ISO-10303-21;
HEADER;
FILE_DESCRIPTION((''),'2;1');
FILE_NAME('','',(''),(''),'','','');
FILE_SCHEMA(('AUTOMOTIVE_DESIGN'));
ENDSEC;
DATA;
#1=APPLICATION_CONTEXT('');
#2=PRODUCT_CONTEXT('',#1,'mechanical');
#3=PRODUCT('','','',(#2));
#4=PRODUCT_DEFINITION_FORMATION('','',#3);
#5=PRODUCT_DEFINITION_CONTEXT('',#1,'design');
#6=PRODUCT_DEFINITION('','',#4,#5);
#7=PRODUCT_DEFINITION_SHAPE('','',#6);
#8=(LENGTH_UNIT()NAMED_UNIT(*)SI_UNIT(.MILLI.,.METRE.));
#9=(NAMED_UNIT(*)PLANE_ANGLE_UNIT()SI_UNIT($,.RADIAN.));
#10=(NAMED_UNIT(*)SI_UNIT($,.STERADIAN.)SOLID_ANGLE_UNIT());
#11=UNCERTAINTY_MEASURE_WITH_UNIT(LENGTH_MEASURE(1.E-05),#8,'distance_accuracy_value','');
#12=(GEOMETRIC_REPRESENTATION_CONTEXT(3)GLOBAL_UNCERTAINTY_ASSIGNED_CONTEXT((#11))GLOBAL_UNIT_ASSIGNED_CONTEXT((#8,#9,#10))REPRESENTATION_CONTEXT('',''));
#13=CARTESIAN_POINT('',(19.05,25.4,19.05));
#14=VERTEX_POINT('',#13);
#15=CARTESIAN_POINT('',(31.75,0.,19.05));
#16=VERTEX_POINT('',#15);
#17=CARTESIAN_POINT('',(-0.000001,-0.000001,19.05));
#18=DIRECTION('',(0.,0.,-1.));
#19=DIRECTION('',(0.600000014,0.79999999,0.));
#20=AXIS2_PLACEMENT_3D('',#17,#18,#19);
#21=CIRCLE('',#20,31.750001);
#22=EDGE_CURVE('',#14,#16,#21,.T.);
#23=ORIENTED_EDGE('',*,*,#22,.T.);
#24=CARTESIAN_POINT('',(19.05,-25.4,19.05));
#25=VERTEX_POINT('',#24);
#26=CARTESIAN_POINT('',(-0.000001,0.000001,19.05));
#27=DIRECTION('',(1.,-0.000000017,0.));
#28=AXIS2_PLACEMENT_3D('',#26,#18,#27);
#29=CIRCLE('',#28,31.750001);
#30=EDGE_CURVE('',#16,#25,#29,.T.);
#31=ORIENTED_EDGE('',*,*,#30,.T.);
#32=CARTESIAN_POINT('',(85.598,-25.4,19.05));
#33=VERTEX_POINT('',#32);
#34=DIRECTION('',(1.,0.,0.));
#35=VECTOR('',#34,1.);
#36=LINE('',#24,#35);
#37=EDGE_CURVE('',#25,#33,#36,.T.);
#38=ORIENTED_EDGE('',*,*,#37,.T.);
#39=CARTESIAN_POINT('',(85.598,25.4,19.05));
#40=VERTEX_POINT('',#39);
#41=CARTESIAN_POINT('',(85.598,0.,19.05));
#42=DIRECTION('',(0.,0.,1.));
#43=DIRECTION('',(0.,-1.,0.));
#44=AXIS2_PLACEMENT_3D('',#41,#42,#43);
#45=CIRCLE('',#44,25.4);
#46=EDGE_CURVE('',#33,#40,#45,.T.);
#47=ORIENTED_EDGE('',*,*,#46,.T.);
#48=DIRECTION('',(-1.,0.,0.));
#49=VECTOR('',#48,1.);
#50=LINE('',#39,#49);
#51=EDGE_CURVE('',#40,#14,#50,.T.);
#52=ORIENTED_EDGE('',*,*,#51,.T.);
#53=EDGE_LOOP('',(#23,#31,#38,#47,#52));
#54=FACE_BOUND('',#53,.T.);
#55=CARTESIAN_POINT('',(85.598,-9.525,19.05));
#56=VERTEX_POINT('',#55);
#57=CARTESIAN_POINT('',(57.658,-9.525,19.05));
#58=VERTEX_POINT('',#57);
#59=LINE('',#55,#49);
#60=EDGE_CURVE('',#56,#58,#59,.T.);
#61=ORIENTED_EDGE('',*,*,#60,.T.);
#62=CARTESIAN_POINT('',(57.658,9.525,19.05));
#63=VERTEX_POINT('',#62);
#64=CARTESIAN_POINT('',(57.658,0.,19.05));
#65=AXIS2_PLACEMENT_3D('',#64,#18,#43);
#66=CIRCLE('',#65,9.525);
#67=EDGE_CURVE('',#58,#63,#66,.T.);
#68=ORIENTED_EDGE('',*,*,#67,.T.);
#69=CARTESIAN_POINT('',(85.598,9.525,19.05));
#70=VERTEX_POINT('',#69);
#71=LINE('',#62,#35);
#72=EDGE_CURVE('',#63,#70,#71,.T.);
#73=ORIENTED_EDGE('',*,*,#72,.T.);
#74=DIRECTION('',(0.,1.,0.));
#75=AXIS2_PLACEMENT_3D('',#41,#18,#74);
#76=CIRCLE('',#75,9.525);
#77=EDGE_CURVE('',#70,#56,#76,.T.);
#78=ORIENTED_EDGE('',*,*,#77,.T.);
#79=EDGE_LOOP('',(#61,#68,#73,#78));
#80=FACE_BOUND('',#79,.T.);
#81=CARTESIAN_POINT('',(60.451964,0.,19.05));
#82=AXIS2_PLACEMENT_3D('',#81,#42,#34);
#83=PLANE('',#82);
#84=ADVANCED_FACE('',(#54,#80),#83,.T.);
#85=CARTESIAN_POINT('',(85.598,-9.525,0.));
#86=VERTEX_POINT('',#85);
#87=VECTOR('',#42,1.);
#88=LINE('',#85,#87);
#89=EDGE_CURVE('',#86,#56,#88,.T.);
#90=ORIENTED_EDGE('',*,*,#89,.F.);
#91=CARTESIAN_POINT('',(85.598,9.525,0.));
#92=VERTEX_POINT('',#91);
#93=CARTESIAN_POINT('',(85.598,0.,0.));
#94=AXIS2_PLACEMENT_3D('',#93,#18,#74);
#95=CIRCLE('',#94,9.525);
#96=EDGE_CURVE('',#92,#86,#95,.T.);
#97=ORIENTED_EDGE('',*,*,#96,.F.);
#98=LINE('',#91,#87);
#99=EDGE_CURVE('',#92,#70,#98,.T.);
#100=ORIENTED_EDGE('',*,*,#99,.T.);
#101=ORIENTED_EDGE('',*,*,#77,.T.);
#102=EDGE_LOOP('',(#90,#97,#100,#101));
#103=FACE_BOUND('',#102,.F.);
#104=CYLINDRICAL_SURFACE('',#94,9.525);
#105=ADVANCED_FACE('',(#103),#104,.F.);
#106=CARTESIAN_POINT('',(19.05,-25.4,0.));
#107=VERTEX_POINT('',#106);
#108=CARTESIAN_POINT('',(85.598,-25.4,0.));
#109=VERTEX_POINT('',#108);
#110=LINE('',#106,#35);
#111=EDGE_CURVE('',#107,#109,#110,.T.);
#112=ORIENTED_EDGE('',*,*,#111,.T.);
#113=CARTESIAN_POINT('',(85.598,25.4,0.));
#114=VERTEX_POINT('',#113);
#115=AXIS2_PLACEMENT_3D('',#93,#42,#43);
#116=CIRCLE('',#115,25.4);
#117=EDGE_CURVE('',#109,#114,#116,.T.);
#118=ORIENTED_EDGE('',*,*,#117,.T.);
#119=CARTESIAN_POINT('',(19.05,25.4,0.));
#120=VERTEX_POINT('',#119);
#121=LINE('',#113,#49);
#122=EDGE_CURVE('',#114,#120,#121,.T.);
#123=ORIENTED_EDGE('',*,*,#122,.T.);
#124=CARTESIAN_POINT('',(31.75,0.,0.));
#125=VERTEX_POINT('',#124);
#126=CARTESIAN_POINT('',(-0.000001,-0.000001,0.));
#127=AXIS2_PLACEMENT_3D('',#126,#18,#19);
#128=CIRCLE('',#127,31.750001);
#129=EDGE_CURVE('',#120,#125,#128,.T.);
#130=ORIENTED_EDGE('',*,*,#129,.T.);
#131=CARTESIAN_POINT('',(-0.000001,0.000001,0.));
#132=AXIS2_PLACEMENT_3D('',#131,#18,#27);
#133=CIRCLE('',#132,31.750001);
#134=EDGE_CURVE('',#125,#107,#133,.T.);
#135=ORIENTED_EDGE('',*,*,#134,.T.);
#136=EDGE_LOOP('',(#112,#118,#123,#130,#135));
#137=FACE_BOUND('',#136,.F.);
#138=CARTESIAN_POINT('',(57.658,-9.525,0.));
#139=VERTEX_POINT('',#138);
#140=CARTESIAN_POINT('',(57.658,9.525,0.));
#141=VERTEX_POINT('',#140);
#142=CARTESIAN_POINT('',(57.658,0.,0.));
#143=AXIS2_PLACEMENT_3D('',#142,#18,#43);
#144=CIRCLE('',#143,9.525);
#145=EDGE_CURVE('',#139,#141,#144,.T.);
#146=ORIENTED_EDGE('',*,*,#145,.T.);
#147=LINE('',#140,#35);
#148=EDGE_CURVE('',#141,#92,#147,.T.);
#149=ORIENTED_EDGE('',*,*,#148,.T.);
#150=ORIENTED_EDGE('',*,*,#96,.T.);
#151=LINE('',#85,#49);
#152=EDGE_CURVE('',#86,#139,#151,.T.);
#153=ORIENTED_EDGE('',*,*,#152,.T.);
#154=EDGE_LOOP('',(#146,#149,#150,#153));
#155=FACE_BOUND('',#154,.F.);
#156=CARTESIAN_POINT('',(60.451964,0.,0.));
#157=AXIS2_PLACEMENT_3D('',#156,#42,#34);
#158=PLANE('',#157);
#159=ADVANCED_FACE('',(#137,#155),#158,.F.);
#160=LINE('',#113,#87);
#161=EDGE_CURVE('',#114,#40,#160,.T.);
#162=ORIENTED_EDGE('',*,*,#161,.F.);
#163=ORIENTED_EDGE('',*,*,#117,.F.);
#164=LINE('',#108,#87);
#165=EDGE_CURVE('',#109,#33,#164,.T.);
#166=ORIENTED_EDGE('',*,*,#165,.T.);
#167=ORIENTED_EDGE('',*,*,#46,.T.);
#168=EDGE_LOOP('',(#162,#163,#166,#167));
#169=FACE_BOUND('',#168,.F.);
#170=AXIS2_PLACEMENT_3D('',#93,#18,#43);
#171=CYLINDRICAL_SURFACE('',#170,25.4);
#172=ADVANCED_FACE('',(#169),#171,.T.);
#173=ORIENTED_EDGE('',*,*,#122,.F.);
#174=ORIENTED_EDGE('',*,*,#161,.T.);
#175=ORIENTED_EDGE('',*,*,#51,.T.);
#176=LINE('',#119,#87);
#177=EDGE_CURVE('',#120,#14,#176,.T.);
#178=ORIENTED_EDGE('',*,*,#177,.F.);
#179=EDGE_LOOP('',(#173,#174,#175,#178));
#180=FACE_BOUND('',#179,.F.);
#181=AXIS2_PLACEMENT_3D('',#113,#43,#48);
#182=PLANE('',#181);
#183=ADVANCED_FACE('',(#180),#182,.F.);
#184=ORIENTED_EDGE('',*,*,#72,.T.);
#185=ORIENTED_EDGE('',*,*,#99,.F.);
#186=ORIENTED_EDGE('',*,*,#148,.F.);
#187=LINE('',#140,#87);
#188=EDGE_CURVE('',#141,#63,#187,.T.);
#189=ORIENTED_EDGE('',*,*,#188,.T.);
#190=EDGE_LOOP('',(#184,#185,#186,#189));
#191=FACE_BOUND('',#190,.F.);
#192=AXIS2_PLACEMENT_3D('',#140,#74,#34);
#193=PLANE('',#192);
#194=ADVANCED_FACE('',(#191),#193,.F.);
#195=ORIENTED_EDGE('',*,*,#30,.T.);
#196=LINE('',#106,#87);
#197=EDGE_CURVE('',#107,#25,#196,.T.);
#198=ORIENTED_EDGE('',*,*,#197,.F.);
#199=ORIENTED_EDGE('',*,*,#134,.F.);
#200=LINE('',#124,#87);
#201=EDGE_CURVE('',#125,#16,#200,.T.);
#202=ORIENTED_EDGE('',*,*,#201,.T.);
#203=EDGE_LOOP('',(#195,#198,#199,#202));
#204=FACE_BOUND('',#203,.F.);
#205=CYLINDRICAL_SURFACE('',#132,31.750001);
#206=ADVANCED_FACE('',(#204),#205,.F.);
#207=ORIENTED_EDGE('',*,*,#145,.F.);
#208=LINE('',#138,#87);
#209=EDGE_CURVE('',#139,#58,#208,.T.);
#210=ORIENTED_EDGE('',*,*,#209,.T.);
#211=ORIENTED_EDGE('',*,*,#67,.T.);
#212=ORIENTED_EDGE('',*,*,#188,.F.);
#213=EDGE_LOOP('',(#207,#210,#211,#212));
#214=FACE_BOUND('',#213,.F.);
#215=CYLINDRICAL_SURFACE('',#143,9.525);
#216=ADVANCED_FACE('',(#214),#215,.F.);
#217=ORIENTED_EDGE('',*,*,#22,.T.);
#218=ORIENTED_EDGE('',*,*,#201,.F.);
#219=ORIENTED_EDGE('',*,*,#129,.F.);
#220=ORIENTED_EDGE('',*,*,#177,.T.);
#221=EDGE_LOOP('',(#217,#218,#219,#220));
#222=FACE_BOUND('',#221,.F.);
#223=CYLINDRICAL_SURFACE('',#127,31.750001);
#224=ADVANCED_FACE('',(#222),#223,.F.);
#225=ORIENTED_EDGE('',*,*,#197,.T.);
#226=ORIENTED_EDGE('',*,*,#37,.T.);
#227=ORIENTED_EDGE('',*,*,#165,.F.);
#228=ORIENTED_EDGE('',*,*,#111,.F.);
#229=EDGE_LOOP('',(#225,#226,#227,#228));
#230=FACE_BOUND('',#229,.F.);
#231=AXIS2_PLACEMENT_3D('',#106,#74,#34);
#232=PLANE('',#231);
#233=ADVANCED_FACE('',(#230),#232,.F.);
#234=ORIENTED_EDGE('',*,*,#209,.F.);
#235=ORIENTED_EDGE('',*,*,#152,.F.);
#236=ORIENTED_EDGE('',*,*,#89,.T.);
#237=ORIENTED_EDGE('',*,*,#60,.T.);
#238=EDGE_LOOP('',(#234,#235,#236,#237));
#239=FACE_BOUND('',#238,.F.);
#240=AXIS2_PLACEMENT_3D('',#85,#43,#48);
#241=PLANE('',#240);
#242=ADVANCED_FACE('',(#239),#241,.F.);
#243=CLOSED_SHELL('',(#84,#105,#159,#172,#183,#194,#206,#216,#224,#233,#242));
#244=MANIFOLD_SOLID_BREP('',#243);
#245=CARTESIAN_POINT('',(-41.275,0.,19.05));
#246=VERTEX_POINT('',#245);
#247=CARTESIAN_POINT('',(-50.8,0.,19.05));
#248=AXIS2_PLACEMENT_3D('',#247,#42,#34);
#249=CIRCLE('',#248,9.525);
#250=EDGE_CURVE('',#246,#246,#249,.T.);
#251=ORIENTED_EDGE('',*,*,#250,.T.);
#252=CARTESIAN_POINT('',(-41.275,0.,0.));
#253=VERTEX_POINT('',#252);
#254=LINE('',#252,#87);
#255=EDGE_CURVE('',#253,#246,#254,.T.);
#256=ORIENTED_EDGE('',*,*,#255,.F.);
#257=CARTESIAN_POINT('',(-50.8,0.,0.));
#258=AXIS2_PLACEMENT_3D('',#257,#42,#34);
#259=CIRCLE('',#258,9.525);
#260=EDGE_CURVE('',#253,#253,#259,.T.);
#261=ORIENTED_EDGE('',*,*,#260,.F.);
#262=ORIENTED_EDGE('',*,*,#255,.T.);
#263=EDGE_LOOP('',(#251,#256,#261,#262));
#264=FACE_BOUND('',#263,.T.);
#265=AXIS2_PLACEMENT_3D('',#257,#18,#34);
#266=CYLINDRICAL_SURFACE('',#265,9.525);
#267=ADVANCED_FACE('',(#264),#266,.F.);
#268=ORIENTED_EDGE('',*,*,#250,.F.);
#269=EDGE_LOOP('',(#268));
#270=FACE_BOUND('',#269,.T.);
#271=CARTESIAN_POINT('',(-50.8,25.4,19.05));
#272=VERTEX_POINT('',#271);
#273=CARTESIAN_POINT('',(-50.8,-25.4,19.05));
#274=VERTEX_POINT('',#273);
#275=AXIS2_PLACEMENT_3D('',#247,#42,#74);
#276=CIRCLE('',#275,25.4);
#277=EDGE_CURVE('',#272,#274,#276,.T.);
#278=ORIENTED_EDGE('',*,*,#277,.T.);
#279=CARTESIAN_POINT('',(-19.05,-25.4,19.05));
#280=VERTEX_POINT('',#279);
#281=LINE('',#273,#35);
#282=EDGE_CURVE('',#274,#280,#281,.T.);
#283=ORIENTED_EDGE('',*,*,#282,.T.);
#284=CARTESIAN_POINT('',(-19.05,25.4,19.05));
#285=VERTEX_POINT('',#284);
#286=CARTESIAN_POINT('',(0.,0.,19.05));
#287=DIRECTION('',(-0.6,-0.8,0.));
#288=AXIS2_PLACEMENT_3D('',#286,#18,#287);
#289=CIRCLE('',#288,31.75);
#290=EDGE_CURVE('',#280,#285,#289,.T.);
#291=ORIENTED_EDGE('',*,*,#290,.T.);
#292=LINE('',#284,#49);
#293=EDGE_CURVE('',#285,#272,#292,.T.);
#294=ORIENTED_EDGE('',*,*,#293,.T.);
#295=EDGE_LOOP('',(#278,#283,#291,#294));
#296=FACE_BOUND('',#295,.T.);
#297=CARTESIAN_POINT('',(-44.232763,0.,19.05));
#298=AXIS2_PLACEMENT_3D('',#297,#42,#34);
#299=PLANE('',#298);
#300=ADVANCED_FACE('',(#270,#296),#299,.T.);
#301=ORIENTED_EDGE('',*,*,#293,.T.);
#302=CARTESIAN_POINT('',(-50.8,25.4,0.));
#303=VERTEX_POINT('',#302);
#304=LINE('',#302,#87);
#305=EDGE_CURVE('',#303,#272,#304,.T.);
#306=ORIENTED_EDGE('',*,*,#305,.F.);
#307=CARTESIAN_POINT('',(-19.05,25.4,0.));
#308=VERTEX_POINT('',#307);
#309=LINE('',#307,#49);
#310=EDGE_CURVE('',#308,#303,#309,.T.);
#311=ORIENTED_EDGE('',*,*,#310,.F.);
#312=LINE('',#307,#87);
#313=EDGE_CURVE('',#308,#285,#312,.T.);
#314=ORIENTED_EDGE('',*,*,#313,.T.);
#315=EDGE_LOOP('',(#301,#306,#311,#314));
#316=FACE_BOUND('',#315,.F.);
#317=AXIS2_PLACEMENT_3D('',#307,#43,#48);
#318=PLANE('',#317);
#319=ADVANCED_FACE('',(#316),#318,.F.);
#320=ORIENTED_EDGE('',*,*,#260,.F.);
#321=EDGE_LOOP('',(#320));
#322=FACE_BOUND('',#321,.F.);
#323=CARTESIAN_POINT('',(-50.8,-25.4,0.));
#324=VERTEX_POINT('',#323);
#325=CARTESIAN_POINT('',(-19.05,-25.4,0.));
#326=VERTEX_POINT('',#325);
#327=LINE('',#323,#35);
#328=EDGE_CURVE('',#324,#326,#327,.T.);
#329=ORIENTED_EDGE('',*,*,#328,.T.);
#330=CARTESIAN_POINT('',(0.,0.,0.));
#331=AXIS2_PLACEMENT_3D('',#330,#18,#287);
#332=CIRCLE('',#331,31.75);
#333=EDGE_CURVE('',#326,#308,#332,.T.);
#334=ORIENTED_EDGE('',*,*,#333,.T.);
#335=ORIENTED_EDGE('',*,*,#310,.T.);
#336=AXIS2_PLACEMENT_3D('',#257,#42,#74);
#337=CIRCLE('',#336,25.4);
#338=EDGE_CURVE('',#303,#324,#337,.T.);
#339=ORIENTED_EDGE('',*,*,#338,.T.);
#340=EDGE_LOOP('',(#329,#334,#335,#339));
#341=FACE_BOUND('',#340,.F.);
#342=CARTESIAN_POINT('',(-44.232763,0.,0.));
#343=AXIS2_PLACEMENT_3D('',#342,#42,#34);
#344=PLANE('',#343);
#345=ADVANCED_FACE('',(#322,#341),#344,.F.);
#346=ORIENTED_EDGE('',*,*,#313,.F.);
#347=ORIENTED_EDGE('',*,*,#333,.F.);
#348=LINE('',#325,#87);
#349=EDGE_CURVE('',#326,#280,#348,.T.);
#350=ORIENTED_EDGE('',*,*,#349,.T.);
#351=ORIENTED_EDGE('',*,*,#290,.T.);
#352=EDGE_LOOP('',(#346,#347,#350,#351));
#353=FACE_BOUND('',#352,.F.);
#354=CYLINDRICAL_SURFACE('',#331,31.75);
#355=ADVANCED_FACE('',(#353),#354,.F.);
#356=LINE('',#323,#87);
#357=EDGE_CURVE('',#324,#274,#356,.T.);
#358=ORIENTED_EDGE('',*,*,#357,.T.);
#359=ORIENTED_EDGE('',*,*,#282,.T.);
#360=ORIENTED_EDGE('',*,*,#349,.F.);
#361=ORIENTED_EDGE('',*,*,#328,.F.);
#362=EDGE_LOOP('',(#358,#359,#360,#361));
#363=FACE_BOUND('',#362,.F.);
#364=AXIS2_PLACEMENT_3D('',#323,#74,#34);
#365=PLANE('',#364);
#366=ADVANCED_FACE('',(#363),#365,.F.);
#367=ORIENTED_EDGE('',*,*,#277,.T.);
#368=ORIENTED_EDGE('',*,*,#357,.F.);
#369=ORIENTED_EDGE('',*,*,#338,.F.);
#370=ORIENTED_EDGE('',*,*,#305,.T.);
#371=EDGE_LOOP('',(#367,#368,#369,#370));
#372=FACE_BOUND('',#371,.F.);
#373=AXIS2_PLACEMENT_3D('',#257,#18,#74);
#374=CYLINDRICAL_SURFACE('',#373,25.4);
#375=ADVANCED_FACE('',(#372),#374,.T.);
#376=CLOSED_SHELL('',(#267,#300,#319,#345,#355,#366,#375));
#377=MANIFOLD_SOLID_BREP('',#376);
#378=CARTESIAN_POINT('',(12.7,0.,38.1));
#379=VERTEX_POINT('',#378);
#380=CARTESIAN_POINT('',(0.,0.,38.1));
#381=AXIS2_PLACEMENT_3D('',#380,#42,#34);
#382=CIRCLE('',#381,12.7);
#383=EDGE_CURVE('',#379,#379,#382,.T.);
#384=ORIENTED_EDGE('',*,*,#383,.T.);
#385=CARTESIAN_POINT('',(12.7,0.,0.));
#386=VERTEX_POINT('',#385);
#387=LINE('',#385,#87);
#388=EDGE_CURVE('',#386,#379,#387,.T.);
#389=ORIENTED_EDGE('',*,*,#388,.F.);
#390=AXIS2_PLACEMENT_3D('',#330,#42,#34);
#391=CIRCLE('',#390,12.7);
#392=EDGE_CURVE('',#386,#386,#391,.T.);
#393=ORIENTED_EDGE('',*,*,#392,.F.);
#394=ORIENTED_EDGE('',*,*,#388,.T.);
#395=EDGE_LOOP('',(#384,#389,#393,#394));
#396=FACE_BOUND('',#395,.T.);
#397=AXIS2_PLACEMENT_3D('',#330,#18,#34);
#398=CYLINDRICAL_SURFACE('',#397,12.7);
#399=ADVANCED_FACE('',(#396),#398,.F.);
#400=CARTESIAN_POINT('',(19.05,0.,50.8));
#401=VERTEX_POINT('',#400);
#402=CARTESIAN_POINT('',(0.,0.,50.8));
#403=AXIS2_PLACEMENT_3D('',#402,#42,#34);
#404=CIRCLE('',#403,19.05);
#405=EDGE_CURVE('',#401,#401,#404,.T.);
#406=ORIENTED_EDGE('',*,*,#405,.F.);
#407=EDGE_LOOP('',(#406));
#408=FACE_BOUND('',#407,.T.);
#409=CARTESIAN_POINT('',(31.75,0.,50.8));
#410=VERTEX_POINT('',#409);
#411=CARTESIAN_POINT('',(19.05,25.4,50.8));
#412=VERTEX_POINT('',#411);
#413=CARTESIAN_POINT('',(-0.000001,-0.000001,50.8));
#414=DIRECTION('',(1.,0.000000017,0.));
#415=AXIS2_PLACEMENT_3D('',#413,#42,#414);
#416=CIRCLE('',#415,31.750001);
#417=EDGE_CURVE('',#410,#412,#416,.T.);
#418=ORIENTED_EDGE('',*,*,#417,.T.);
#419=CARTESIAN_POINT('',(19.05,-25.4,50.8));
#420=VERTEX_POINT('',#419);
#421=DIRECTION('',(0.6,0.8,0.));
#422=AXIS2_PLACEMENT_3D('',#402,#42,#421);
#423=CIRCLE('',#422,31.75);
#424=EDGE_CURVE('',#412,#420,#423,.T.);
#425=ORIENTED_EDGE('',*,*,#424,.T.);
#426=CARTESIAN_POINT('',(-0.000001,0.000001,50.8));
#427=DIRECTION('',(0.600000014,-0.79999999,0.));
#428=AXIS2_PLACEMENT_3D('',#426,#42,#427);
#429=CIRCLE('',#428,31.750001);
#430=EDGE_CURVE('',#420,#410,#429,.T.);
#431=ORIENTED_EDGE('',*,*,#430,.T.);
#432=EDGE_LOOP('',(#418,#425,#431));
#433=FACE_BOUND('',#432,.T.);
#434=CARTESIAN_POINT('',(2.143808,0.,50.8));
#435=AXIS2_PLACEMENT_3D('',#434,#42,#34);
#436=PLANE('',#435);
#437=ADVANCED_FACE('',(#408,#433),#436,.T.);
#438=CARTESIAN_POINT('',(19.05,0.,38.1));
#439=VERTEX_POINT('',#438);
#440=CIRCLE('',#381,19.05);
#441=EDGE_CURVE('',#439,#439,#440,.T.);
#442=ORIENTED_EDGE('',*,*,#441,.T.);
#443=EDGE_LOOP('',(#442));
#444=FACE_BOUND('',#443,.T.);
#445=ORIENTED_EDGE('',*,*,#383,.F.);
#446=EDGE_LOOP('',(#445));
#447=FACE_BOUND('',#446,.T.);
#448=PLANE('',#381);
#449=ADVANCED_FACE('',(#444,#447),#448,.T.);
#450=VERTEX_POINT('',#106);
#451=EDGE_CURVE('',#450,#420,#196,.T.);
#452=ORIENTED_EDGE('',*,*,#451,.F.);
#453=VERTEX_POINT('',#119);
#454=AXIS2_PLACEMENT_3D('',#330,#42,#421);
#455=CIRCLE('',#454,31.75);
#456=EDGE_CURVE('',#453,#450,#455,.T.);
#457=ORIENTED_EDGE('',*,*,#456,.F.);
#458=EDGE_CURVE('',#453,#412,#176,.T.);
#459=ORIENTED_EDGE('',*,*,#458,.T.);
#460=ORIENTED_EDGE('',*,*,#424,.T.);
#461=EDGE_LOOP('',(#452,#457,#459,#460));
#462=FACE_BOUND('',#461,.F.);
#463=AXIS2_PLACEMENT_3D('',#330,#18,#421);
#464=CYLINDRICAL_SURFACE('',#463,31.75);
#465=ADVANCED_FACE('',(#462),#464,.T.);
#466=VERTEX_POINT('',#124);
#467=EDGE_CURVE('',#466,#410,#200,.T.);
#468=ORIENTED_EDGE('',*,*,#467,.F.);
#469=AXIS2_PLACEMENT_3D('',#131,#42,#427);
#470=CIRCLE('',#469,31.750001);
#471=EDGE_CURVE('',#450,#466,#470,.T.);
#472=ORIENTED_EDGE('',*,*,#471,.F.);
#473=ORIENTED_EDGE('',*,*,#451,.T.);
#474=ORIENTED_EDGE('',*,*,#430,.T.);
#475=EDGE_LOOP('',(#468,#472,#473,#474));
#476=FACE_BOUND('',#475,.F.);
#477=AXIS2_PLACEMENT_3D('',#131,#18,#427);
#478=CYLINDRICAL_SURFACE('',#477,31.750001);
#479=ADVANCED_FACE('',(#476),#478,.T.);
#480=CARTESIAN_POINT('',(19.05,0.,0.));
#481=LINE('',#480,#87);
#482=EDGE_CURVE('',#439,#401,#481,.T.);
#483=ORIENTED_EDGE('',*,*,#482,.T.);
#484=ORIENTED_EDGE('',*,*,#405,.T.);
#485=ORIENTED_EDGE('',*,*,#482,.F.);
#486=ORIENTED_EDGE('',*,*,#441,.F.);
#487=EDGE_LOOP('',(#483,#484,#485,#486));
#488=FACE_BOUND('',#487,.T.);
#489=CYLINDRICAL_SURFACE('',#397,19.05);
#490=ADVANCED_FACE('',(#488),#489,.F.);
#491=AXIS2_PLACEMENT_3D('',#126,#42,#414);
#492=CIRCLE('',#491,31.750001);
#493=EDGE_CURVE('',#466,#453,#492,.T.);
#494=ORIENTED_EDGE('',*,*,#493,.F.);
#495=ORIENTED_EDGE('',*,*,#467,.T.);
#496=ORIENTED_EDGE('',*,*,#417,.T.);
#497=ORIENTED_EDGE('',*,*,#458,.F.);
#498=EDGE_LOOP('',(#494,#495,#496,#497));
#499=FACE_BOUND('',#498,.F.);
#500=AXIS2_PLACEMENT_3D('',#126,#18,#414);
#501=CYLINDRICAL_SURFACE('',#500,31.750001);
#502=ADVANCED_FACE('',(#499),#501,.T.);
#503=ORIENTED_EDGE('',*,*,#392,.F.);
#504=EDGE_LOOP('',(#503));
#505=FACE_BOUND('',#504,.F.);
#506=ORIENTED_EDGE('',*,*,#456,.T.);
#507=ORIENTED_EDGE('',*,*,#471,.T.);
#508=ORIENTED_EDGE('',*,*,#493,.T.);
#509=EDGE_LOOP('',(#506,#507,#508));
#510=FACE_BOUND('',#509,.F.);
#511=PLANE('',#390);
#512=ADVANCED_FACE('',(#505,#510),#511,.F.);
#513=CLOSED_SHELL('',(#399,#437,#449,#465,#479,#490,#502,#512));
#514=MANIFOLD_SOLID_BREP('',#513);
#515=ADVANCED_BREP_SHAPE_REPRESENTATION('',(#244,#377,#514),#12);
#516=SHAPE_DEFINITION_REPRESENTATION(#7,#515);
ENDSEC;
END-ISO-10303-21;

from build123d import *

# Parameters (mm, degrees)
F0_R     = 9.525
F1_DEPTH = 19.05
F0_R_2   = 19.05
F2_DEPTH = 50.8
F0_R_3   = 12.7
F3_DEPTH = 38.1


with BuildPart() as f1:
    # F0 (on Top) → F1 (new body)
    with BuildSketch(Plane.XY):
        with BuildLine():
            ThreePointArc((-19.05, -25.4), (-31.75, 0), (-19.05, 25.4))
            Line((-19.05, 25.4), (-50.8, 25.4))
            ThreePointArc((-50.8, 25.4), (-76.2, 0), (-50.8, -25.4))
            Line((-50.8, -25.4), (-19.05, -25.4))
        make_face()
        with Locations((-50.8, 0)):
            Circle(F0_R, mode=Mode.SUBTRACT)
        with BuildLine():
            ThreePointArc((19.05, 25.4), (28.398063, 14.199032), (31.75, 0))
            ThreePointArc((31.75, 0), (28.398063, -14.199032), (19.05, -25.4))
            Line((19.05, -25.4), (85.598, -25.4))
            ThreePointArc((85.598, -25.4), (110.998, 0), (85.598, 25.4))
            Line((85.598, 25.4), (19.05, 25.4))
        make_face()
        with BuildLine():
            ThreePointArc((85.598, 9.525), (95.123, 0), (85.598, -9.525))
            Line((85.598, -9.525), (57.658, -9.525))
            ThreePointArc((57.658, -9.525), (48.133, 0), (57.658, 9.525))
            Line((57.658, 9.525), (85.598, 9.525))
        make_face(mode=Mode.SUBTRACT)
    extrude(amount=F1_DEPTH)


with BuildPart() as f2:
    # F0 (on Top) → F2 (new body)
    with BuildSketch(Plane.XY):
        with BuildLine():
            ThreePointArc((19.05, -25.4), (28.398063, -14.199032), (31.75, 0))
            ThreePointArc((31.75, 0), (28.398063, 14.199032), (19.05, 25.4))
            ThreePointArc((19.05, 25.4), (0, 31.75), (-19.05, 25.4))
            ThreePointArc((-19.05, 25.4), (-31.75, 0), (-19.05, -25.4))
            ThreePointArc((-19.05, -25.4), (0, -31.75), (19.05, -25.4))
        make_face()
        Circle(F0_R_2, mode=Mode.SUBTRACT)
    extrude(amount=F2_DEPTH)

    # F0 (on Top) → F3 (join)
    with BuildSketch(Plane.XY):
        Circle(F0_R_2)
        Circle(F0_R_3, mode=Mode.SUBTRACT)
    extrude(amount=F3_DEPTH)


solid = Compound([f1.part, f2.part])
